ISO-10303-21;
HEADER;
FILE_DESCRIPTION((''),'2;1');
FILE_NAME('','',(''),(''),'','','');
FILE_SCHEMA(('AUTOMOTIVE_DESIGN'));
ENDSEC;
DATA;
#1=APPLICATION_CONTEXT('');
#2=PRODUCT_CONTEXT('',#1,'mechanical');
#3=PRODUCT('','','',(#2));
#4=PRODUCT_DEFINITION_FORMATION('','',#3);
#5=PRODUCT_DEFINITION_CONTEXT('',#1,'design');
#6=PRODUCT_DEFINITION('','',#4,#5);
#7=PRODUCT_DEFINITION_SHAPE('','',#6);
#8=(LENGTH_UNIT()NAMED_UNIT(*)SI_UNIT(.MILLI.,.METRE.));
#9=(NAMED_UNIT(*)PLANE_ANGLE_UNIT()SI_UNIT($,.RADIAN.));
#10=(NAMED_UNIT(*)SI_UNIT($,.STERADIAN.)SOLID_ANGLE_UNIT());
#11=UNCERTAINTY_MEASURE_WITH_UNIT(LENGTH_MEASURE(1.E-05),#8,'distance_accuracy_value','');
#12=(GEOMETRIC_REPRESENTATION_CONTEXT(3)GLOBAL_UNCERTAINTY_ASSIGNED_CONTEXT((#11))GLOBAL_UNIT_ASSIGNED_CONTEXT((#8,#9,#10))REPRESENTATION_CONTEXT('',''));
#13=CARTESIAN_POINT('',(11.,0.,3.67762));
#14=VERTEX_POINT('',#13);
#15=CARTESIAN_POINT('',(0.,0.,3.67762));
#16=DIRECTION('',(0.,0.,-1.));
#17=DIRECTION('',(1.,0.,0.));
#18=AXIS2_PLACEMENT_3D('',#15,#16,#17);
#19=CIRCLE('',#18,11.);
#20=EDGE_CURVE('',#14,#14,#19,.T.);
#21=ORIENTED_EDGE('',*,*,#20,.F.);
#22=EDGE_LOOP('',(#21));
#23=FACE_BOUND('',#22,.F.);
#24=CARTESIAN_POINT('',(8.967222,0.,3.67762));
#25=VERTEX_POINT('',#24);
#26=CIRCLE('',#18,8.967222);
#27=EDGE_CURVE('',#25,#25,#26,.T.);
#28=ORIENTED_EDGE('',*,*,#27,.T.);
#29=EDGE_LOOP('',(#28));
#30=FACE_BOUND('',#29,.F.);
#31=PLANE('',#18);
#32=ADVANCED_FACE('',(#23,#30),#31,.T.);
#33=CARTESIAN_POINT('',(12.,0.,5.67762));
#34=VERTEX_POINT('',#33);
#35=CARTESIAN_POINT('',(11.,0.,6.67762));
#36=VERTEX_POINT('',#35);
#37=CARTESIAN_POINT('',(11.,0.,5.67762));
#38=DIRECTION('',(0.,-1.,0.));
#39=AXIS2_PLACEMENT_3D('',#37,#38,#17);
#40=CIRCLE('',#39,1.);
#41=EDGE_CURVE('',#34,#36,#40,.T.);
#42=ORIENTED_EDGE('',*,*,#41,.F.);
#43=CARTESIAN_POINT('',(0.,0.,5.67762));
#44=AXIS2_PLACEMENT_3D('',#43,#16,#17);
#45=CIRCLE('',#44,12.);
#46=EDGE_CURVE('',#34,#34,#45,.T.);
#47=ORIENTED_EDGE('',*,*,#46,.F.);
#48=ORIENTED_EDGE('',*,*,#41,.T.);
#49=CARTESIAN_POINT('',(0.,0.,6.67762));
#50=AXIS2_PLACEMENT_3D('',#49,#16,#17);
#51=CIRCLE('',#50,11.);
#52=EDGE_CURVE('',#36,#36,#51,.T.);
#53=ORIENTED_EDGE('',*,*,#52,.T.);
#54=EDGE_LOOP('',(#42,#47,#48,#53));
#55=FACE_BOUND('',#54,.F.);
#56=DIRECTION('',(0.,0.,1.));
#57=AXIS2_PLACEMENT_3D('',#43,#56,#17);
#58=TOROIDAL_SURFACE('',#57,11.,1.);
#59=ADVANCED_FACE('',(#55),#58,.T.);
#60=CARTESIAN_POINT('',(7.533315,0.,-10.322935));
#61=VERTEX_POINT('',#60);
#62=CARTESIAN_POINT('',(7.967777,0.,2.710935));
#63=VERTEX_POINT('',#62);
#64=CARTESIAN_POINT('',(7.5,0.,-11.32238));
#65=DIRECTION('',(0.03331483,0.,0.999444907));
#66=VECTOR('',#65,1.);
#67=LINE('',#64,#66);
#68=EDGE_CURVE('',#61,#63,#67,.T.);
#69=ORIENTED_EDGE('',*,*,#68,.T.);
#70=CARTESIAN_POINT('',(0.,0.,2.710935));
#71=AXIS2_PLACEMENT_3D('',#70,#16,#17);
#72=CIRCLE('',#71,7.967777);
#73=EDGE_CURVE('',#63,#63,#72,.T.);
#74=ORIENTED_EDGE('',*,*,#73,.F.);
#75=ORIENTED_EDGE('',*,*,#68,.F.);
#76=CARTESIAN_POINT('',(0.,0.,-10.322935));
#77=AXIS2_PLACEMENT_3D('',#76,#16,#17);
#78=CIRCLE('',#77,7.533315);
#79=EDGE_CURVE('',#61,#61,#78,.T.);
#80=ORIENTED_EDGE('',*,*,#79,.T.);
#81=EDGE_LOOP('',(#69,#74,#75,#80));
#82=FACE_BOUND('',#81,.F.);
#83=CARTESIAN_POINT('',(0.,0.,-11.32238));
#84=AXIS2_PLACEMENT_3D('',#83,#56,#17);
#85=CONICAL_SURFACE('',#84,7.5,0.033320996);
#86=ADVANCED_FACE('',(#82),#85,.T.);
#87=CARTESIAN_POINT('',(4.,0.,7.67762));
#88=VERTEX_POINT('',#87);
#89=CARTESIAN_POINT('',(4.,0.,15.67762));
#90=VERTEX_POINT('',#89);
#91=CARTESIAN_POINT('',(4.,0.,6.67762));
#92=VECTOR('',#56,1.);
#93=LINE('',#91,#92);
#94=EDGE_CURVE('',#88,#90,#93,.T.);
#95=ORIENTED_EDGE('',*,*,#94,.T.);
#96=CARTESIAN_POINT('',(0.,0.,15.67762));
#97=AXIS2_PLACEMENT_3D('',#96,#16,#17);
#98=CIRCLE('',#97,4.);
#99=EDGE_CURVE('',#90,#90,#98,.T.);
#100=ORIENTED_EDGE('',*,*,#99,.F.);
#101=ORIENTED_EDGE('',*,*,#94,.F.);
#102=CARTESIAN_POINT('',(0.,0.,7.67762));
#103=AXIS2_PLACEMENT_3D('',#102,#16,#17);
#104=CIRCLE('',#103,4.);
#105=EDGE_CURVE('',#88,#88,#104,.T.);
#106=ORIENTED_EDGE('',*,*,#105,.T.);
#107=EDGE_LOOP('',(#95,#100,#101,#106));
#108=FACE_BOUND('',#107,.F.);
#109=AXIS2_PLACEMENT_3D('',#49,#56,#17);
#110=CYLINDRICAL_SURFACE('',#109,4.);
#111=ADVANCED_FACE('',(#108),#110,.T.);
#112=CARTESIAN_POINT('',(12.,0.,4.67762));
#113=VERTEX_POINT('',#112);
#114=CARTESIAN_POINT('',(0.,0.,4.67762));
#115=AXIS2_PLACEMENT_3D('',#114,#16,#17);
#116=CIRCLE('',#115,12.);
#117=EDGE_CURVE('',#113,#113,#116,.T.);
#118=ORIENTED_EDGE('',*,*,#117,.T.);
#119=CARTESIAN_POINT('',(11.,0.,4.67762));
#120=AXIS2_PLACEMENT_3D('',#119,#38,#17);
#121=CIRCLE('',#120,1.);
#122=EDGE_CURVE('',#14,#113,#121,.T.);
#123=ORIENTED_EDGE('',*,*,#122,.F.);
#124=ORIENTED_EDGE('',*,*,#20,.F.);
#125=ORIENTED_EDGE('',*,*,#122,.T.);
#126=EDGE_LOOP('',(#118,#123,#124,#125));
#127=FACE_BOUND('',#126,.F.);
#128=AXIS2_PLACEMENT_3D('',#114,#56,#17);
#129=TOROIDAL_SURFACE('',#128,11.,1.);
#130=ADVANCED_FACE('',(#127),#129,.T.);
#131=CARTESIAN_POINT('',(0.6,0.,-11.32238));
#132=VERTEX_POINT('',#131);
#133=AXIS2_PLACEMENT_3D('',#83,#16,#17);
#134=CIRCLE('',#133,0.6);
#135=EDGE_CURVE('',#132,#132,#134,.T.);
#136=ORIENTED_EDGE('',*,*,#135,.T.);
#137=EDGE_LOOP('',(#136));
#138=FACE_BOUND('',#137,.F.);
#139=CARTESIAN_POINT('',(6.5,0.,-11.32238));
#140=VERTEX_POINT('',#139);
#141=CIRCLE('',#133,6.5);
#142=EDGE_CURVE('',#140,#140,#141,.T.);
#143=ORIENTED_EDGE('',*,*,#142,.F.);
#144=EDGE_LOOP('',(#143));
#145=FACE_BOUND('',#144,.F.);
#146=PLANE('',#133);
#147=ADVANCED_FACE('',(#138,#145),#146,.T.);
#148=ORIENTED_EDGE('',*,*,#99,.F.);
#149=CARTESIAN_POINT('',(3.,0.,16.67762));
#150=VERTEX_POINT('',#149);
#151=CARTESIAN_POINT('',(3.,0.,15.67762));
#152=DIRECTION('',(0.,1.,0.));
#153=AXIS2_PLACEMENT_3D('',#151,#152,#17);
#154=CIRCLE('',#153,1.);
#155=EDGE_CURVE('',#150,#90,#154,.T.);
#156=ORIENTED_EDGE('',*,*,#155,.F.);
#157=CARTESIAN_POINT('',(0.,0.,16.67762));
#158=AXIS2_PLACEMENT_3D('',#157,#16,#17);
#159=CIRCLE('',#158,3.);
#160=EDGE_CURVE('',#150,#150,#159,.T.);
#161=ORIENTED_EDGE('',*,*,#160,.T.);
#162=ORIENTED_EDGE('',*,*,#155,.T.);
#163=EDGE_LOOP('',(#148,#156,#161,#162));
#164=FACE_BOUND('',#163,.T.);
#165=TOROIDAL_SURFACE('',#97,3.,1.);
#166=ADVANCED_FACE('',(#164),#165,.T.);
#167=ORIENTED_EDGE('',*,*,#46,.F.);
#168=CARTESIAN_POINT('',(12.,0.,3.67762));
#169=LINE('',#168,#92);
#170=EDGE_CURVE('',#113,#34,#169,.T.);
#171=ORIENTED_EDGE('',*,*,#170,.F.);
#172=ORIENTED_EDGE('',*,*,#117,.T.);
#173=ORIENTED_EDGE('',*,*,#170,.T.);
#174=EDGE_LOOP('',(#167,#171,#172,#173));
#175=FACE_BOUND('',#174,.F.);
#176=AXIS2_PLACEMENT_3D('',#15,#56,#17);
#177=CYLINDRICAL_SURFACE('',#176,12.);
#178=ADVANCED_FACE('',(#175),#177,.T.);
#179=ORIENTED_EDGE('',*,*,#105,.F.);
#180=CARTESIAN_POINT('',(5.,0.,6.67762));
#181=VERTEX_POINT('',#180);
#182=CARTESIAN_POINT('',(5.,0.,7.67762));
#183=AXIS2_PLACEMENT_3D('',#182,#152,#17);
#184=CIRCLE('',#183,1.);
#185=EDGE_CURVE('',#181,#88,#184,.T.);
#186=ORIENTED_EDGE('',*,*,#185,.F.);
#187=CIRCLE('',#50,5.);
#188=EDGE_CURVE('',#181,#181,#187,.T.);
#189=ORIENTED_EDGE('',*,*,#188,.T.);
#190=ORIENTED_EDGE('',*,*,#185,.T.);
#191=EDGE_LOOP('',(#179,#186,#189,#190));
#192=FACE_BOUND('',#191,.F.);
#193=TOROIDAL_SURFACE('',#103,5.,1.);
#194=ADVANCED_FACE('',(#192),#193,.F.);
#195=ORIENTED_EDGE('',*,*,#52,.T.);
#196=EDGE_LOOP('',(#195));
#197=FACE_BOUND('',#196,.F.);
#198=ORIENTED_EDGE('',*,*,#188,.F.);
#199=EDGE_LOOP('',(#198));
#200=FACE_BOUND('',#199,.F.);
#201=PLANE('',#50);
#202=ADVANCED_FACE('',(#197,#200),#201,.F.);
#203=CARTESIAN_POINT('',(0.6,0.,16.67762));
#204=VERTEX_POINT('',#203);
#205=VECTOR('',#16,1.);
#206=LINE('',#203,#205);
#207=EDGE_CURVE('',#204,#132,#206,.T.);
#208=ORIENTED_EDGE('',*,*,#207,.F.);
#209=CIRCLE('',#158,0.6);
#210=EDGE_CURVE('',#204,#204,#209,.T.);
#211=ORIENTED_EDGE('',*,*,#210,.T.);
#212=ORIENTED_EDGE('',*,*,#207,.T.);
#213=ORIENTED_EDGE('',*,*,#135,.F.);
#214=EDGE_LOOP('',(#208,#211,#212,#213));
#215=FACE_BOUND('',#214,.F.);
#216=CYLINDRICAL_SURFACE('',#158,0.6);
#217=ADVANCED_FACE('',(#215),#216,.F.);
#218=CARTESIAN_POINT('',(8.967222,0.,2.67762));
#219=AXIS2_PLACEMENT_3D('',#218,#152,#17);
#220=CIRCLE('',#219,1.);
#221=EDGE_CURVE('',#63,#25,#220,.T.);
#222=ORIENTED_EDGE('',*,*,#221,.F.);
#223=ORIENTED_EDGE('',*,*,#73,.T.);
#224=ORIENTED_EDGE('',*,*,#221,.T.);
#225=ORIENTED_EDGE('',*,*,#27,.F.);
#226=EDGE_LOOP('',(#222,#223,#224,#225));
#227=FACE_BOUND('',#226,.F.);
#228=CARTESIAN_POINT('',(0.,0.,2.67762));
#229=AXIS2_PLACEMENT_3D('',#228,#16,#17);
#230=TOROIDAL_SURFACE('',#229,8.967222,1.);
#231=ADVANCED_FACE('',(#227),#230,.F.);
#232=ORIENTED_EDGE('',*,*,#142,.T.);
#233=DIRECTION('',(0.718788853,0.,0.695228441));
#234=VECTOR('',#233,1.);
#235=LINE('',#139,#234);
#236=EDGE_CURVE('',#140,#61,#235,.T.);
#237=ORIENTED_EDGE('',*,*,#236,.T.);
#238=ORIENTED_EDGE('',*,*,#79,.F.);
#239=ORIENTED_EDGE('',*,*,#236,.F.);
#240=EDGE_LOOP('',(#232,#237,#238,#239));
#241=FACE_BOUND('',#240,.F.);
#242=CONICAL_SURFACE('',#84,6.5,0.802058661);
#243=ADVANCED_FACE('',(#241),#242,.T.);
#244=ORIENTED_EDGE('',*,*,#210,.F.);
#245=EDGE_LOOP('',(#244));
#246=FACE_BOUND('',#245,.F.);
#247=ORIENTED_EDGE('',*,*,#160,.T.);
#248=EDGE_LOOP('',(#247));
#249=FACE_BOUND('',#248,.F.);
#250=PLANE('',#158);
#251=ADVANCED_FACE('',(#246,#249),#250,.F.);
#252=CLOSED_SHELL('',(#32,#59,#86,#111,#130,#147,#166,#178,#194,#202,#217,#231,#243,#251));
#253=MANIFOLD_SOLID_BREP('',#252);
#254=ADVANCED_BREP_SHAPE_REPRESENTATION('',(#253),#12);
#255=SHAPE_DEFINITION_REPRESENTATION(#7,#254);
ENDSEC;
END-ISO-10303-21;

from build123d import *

# Parameters (mm, degrees)
F2_R    = 1
F3_SIZE = 1


with BuildPart() as f1:
    # F0 (on Front) → F1 (revolve)
    with BuildSketch(Plane.XZ):
        Polygon((4, 16.67762), (0.6, 16.67762), (0.6, -11.32238), (7.5, -11.32238), (8, 3.67762), (12, 3.67762), (12, 6.67762), (4, 6.67762), align=None)
    revolve(axis=Axis((0, 0, 0.295774), (0, 0, -1)))

    # F2
    f2_edges = [f1.edges().sort_by_distance(p)[0] for p in [
        (-8, 0, 3.67762),
        (-12, 0, 3.67762),
        (-12, 0, 6.67762),
        (-4, 0, 16.67762),
        (-4, 0, 6.67762),
    ]]
    fillet(f2_edges, radius=F2_R)

    # F3
    f3_edges = [f1.edges().sort_by_distance(p)[0] for p in [
        (-7.5, 0, -11.32238),
    ]]
    chamfer(f3_edges, length=F3_SIZE)


solid = f1.part
